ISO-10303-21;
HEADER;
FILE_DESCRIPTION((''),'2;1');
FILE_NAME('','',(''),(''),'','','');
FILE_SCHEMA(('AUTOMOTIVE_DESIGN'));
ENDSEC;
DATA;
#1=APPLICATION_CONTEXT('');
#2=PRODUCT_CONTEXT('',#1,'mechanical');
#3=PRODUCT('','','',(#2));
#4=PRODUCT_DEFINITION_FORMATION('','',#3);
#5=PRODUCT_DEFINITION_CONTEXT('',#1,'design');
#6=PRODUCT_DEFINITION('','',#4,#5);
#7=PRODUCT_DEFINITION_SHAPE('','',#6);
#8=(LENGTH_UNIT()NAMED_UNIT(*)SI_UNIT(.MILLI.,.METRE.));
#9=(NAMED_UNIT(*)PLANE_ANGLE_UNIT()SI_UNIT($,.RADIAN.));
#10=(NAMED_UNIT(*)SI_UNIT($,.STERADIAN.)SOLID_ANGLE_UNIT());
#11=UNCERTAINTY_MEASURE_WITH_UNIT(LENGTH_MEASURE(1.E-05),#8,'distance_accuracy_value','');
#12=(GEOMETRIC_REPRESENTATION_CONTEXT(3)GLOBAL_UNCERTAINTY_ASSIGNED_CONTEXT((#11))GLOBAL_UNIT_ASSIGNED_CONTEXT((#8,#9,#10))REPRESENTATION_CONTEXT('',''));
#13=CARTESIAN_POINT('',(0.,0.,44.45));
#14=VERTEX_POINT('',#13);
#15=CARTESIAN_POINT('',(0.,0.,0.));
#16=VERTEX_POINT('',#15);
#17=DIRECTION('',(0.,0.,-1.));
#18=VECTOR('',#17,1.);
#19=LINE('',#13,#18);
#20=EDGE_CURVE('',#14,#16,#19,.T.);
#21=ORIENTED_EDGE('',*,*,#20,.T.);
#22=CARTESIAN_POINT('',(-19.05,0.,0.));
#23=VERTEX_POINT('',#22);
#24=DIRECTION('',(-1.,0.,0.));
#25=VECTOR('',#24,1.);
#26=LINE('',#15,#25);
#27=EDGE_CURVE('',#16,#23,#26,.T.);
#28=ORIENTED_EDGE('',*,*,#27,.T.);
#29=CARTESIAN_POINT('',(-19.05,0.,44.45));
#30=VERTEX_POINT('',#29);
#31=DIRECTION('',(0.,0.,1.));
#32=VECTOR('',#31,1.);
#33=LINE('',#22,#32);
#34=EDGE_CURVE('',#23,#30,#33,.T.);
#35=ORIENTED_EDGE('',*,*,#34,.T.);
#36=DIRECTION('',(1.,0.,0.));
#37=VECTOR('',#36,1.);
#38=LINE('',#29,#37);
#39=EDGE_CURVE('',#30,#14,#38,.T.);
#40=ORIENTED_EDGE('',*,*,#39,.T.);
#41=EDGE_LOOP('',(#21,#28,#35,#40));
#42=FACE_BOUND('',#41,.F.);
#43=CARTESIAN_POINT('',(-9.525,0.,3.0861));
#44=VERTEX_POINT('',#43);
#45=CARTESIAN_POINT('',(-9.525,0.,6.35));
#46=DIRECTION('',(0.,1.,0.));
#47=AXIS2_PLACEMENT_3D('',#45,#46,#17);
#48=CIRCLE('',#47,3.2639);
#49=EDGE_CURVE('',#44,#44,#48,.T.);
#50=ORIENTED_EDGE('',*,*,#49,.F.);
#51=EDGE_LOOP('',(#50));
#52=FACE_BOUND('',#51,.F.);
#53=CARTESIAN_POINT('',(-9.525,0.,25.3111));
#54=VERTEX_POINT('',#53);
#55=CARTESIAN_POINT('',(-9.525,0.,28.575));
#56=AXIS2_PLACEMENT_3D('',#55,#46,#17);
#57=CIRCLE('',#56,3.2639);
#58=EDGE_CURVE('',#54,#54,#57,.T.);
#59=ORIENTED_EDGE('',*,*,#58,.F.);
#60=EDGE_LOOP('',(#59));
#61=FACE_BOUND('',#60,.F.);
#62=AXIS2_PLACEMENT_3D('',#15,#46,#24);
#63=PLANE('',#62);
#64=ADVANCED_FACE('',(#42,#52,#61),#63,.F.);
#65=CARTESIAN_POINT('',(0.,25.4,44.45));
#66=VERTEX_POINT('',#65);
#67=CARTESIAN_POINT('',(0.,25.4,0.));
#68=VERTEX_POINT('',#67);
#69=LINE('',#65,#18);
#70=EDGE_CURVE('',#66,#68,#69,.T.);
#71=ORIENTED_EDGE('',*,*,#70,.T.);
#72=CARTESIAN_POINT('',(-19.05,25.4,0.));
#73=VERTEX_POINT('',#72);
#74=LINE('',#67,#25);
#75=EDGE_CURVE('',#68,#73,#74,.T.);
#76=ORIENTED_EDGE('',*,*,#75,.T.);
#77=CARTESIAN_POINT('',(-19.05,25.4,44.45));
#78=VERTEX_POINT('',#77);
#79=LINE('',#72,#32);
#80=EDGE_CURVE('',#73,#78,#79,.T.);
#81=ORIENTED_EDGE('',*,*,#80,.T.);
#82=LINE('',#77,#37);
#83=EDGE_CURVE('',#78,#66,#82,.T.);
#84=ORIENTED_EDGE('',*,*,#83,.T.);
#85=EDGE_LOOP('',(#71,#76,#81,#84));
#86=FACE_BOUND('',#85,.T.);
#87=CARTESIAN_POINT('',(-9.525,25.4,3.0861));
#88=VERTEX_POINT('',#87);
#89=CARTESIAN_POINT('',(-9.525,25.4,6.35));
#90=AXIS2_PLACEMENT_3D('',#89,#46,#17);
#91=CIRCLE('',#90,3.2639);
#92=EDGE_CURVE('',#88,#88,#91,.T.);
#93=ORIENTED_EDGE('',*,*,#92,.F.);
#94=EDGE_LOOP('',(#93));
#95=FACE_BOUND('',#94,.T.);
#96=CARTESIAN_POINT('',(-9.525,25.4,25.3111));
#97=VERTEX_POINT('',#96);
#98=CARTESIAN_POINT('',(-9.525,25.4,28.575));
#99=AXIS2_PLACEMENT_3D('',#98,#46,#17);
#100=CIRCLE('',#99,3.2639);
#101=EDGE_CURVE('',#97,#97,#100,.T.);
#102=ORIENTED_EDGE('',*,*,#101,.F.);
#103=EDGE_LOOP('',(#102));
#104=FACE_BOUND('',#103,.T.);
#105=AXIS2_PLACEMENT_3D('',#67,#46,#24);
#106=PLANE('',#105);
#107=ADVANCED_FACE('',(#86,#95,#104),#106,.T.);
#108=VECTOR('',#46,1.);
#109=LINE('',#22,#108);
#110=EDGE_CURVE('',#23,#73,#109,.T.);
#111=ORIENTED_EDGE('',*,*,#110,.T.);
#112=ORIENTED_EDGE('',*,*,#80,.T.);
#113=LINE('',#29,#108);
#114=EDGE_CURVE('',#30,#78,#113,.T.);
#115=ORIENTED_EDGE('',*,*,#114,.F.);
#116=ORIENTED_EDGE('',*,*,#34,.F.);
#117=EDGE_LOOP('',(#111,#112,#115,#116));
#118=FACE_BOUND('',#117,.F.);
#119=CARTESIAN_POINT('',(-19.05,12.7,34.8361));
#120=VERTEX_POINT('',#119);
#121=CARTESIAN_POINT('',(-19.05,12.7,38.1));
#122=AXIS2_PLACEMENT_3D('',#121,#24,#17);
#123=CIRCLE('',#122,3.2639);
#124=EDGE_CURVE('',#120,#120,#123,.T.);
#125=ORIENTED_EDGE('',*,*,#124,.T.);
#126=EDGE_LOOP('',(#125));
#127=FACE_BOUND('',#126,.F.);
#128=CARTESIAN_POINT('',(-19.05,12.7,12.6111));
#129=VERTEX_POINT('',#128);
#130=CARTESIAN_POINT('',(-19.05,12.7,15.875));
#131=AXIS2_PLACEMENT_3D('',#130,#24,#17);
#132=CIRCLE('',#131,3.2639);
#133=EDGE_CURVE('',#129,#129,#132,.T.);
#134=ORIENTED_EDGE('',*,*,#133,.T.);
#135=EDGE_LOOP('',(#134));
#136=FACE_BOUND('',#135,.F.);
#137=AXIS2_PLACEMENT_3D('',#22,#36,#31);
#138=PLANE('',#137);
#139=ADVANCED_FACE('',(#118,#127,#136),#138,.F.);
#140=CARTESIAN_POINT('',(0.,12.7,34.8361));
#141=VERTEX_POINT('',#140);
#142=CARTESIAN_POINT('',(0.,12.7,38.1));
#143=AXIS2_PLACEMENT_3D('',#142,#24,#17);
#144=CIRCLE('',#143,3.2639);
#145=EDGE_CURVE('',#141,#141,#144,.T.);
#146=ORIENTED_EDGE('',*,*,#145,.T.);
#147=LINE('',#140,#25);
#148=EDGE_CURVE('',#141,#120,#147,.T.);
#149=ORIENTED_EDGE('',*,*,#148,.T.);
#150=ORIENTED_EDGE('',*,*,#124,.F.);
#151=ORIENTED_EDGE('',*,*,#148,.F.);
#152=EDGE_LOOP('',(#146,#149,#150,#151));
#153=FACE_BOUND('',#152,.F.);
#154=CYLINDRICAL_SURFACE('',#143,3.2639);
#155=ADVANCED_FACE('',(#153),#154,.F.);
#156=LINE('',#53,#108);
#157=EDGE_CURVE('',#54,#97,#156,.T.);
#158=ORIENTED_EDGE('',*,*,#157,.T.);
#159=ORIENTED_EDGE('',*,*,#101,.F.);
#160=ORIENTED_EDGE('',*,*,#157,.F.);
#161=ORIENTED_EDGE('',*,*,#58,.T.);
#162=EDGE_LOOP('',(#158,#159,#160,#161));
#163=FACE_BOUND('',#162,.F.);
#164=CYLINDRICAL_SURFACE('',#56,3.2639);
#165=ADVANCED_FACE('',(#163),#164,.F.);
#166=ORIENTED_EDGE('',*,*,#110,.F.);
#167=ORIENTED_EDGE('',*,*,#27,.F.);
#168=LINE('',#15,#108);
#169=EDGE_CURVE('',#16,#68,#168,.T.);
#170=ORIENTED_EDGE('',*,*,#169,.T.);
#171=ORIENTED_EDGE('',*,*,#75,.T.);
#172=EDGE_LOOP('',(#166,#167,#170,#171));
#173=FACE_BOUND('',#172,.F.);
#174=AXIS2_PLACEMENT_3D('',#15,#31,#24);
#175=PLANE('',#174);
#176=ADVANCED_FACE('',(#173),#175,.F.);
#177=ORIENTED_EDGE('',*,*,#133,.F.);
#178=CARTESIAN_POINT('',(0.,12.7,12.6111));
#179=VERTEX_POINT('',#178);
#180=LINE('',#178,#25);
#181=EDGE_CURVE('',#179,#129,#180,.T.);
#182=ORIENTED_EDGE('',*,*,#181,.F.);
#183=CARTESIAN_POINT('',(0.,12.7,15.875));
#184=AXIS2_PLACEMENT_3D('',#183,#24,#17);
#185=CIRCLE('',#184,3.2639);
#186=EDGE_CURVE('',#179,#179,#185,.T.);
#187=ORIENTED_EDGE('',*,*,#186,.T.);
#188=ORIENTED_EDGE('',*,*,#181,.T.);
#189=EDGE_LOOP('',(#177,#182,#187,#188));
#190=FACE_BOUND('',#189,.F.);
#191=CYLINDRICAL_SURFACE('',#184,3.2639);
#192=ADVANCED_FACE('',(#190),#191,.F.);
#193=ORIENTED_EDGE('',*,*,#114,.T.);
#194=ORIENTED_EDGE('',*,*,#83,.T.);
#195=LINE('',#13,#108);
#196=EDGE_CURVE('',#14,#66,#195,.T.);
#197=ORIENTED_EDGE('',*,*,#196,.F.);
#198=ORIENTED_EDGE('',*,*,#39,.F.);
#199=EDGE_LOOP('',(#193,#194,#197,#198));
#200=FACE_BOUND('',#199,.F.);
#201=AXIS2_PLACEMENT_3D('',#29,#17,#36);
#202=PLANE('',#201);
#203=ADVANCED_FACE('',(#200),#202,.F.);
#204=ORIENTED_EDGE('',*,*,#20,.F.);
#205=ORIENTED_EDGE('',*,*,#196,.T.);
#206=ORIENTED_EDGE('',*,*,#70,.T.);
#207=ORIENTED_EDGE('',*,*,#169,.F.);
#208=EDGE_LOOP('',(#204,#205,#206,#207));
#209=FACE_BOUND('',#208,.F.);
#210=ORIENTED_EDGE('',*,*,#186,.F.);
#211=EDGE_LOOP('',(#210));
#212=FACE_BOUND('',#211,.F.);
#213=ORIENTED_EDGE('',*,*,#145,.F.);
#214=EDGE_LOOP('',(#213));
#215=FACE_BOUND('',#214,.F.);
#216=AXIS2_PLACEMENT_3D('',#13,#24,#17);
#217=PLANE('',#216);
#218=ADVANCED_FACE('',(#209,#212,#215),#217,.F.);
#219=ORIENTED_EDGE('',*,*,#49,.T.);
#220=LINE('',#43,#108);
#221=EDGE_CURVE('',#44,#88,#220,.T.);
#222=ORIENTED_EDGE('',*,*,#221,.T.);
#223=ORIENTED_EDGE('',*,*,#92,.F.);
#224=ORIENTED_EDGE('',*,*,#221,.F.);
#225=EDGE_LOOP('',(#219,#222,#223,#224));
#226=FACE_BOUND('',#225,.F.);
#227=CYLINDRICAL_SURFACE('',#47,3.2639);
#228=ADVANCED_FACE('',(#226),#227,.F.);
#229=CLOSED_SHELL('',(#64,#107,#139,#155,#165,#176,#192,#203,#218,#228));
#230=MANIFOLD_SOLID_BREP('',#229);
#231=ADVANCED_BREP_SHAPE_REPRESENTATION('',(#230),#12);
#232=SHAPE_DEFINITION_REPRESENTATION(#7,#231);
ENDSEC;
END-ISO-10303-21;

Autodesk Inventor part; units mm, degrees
ref_plane "YZ Plane" through (0, 0, 0) normal (1, 0, 0) x (0, 1, 0)
ref_plane "XZ Plane" through (0, 0, 0) normal (0, 1, 0) x (-1, 0, 0)
ref_plane "XY Plane" through (0, 0, 0) normal (0, 0, 1) x (1, 0, 0)
sketch "Sketch1" plane through (0, 0, 0) normal (0, 1, 0) x (-1, 0, 0)
  line L0 (0, 0) -> (19.05, 0)
  line L1 (19.05, 0) -> (19.05, 44.45)
  line L2 (19.05, 44.45) -> (0, 44.45)
  line L3 (0, 44.45) -> (0, 0)
  dimension "d0" = 19.05
  dimension "d1" = 44.45
extrude "Extrusion1" add sketch "Sketch1" along normal blind 25.4
sketch "Sketch2" plane through (0, 0, 44.45) normal (1, 0, 0) x (0, 0, -1)
  line L0 (0, 0) -> (44.45, 0) projected
  line L1 (0, 0) -> (0, 25.4) projected
  line L2 (44.45, 0) -> (44.45, 25.4) projected
  point P0 (6.35, 12.7)
  point P1 (34.925, 12.7)
  point P2 (44.45, 12.7)
  dimension "d4" = 12.7
  dimension "d5" = 12.7
  dimension "d6" = 6.35
  dimension "d7" = 9.525
hole "Hole1" at (0, 12.7, 38.1) direction (-1, 0, 0) diameter 6.5278 depth 50.8 tip angle 118
sketch "Sketch3" plane through (0, 0, 0) normal (0, -1, 0) x (1, 0, 0)
  line L0 (0, 44.45) -> (0, 0) projected
  line L1 (-19.05, 44.45) -> (0, 44.45) projected
  point P0 (-9.525, 28.575)
  point P1 (-9.525, 9.6957)
  dimension "d15" = 9.525
  dimension "d16" = 15.875
hole "Hole2" at (-9.525, 0, 28.575) direction (0, 1, 0) diameter 6.5278 depth 50.8 tip angle 118
sketch "Sketch4" plane through (0, 0, 44.45) normal (1, 0, 0) x (0, 0, -1)
  line L0 (0, 25.4) -> (44.45, 25.4) projected
  line L1 (0, 0) -> (0, 25.4) projected
  point P0 (44.45, 0)
  point P1 (28.575, 12.7)
  dimension "d24" = 12.7
  dimension "d25" = 28.575
sketch "Sketch5" plane through (0, 0, 0) normal (0, -1, 0) x (1, 0, 0)
  line L0 (0, 44.45) -> (0, 0) projected
  line L1 (0, 0) -> (-19.05, 0) projected
  point P0 (-9.525, 6.35)
  dimension "d26" = 9.525
  dimension "d27" = 6.35
hole "Hole3" at (-9.525, 0, 6.35) direction (0, 1, 0) diameter 6.5278 depth 50.8 tip angle 118
hole "Hole4" at (0, 12.7, 15.875) direction (-1, 0, 0) diameter 6.5278 depth 50.8 tip angle 118
properties part number "200522"
